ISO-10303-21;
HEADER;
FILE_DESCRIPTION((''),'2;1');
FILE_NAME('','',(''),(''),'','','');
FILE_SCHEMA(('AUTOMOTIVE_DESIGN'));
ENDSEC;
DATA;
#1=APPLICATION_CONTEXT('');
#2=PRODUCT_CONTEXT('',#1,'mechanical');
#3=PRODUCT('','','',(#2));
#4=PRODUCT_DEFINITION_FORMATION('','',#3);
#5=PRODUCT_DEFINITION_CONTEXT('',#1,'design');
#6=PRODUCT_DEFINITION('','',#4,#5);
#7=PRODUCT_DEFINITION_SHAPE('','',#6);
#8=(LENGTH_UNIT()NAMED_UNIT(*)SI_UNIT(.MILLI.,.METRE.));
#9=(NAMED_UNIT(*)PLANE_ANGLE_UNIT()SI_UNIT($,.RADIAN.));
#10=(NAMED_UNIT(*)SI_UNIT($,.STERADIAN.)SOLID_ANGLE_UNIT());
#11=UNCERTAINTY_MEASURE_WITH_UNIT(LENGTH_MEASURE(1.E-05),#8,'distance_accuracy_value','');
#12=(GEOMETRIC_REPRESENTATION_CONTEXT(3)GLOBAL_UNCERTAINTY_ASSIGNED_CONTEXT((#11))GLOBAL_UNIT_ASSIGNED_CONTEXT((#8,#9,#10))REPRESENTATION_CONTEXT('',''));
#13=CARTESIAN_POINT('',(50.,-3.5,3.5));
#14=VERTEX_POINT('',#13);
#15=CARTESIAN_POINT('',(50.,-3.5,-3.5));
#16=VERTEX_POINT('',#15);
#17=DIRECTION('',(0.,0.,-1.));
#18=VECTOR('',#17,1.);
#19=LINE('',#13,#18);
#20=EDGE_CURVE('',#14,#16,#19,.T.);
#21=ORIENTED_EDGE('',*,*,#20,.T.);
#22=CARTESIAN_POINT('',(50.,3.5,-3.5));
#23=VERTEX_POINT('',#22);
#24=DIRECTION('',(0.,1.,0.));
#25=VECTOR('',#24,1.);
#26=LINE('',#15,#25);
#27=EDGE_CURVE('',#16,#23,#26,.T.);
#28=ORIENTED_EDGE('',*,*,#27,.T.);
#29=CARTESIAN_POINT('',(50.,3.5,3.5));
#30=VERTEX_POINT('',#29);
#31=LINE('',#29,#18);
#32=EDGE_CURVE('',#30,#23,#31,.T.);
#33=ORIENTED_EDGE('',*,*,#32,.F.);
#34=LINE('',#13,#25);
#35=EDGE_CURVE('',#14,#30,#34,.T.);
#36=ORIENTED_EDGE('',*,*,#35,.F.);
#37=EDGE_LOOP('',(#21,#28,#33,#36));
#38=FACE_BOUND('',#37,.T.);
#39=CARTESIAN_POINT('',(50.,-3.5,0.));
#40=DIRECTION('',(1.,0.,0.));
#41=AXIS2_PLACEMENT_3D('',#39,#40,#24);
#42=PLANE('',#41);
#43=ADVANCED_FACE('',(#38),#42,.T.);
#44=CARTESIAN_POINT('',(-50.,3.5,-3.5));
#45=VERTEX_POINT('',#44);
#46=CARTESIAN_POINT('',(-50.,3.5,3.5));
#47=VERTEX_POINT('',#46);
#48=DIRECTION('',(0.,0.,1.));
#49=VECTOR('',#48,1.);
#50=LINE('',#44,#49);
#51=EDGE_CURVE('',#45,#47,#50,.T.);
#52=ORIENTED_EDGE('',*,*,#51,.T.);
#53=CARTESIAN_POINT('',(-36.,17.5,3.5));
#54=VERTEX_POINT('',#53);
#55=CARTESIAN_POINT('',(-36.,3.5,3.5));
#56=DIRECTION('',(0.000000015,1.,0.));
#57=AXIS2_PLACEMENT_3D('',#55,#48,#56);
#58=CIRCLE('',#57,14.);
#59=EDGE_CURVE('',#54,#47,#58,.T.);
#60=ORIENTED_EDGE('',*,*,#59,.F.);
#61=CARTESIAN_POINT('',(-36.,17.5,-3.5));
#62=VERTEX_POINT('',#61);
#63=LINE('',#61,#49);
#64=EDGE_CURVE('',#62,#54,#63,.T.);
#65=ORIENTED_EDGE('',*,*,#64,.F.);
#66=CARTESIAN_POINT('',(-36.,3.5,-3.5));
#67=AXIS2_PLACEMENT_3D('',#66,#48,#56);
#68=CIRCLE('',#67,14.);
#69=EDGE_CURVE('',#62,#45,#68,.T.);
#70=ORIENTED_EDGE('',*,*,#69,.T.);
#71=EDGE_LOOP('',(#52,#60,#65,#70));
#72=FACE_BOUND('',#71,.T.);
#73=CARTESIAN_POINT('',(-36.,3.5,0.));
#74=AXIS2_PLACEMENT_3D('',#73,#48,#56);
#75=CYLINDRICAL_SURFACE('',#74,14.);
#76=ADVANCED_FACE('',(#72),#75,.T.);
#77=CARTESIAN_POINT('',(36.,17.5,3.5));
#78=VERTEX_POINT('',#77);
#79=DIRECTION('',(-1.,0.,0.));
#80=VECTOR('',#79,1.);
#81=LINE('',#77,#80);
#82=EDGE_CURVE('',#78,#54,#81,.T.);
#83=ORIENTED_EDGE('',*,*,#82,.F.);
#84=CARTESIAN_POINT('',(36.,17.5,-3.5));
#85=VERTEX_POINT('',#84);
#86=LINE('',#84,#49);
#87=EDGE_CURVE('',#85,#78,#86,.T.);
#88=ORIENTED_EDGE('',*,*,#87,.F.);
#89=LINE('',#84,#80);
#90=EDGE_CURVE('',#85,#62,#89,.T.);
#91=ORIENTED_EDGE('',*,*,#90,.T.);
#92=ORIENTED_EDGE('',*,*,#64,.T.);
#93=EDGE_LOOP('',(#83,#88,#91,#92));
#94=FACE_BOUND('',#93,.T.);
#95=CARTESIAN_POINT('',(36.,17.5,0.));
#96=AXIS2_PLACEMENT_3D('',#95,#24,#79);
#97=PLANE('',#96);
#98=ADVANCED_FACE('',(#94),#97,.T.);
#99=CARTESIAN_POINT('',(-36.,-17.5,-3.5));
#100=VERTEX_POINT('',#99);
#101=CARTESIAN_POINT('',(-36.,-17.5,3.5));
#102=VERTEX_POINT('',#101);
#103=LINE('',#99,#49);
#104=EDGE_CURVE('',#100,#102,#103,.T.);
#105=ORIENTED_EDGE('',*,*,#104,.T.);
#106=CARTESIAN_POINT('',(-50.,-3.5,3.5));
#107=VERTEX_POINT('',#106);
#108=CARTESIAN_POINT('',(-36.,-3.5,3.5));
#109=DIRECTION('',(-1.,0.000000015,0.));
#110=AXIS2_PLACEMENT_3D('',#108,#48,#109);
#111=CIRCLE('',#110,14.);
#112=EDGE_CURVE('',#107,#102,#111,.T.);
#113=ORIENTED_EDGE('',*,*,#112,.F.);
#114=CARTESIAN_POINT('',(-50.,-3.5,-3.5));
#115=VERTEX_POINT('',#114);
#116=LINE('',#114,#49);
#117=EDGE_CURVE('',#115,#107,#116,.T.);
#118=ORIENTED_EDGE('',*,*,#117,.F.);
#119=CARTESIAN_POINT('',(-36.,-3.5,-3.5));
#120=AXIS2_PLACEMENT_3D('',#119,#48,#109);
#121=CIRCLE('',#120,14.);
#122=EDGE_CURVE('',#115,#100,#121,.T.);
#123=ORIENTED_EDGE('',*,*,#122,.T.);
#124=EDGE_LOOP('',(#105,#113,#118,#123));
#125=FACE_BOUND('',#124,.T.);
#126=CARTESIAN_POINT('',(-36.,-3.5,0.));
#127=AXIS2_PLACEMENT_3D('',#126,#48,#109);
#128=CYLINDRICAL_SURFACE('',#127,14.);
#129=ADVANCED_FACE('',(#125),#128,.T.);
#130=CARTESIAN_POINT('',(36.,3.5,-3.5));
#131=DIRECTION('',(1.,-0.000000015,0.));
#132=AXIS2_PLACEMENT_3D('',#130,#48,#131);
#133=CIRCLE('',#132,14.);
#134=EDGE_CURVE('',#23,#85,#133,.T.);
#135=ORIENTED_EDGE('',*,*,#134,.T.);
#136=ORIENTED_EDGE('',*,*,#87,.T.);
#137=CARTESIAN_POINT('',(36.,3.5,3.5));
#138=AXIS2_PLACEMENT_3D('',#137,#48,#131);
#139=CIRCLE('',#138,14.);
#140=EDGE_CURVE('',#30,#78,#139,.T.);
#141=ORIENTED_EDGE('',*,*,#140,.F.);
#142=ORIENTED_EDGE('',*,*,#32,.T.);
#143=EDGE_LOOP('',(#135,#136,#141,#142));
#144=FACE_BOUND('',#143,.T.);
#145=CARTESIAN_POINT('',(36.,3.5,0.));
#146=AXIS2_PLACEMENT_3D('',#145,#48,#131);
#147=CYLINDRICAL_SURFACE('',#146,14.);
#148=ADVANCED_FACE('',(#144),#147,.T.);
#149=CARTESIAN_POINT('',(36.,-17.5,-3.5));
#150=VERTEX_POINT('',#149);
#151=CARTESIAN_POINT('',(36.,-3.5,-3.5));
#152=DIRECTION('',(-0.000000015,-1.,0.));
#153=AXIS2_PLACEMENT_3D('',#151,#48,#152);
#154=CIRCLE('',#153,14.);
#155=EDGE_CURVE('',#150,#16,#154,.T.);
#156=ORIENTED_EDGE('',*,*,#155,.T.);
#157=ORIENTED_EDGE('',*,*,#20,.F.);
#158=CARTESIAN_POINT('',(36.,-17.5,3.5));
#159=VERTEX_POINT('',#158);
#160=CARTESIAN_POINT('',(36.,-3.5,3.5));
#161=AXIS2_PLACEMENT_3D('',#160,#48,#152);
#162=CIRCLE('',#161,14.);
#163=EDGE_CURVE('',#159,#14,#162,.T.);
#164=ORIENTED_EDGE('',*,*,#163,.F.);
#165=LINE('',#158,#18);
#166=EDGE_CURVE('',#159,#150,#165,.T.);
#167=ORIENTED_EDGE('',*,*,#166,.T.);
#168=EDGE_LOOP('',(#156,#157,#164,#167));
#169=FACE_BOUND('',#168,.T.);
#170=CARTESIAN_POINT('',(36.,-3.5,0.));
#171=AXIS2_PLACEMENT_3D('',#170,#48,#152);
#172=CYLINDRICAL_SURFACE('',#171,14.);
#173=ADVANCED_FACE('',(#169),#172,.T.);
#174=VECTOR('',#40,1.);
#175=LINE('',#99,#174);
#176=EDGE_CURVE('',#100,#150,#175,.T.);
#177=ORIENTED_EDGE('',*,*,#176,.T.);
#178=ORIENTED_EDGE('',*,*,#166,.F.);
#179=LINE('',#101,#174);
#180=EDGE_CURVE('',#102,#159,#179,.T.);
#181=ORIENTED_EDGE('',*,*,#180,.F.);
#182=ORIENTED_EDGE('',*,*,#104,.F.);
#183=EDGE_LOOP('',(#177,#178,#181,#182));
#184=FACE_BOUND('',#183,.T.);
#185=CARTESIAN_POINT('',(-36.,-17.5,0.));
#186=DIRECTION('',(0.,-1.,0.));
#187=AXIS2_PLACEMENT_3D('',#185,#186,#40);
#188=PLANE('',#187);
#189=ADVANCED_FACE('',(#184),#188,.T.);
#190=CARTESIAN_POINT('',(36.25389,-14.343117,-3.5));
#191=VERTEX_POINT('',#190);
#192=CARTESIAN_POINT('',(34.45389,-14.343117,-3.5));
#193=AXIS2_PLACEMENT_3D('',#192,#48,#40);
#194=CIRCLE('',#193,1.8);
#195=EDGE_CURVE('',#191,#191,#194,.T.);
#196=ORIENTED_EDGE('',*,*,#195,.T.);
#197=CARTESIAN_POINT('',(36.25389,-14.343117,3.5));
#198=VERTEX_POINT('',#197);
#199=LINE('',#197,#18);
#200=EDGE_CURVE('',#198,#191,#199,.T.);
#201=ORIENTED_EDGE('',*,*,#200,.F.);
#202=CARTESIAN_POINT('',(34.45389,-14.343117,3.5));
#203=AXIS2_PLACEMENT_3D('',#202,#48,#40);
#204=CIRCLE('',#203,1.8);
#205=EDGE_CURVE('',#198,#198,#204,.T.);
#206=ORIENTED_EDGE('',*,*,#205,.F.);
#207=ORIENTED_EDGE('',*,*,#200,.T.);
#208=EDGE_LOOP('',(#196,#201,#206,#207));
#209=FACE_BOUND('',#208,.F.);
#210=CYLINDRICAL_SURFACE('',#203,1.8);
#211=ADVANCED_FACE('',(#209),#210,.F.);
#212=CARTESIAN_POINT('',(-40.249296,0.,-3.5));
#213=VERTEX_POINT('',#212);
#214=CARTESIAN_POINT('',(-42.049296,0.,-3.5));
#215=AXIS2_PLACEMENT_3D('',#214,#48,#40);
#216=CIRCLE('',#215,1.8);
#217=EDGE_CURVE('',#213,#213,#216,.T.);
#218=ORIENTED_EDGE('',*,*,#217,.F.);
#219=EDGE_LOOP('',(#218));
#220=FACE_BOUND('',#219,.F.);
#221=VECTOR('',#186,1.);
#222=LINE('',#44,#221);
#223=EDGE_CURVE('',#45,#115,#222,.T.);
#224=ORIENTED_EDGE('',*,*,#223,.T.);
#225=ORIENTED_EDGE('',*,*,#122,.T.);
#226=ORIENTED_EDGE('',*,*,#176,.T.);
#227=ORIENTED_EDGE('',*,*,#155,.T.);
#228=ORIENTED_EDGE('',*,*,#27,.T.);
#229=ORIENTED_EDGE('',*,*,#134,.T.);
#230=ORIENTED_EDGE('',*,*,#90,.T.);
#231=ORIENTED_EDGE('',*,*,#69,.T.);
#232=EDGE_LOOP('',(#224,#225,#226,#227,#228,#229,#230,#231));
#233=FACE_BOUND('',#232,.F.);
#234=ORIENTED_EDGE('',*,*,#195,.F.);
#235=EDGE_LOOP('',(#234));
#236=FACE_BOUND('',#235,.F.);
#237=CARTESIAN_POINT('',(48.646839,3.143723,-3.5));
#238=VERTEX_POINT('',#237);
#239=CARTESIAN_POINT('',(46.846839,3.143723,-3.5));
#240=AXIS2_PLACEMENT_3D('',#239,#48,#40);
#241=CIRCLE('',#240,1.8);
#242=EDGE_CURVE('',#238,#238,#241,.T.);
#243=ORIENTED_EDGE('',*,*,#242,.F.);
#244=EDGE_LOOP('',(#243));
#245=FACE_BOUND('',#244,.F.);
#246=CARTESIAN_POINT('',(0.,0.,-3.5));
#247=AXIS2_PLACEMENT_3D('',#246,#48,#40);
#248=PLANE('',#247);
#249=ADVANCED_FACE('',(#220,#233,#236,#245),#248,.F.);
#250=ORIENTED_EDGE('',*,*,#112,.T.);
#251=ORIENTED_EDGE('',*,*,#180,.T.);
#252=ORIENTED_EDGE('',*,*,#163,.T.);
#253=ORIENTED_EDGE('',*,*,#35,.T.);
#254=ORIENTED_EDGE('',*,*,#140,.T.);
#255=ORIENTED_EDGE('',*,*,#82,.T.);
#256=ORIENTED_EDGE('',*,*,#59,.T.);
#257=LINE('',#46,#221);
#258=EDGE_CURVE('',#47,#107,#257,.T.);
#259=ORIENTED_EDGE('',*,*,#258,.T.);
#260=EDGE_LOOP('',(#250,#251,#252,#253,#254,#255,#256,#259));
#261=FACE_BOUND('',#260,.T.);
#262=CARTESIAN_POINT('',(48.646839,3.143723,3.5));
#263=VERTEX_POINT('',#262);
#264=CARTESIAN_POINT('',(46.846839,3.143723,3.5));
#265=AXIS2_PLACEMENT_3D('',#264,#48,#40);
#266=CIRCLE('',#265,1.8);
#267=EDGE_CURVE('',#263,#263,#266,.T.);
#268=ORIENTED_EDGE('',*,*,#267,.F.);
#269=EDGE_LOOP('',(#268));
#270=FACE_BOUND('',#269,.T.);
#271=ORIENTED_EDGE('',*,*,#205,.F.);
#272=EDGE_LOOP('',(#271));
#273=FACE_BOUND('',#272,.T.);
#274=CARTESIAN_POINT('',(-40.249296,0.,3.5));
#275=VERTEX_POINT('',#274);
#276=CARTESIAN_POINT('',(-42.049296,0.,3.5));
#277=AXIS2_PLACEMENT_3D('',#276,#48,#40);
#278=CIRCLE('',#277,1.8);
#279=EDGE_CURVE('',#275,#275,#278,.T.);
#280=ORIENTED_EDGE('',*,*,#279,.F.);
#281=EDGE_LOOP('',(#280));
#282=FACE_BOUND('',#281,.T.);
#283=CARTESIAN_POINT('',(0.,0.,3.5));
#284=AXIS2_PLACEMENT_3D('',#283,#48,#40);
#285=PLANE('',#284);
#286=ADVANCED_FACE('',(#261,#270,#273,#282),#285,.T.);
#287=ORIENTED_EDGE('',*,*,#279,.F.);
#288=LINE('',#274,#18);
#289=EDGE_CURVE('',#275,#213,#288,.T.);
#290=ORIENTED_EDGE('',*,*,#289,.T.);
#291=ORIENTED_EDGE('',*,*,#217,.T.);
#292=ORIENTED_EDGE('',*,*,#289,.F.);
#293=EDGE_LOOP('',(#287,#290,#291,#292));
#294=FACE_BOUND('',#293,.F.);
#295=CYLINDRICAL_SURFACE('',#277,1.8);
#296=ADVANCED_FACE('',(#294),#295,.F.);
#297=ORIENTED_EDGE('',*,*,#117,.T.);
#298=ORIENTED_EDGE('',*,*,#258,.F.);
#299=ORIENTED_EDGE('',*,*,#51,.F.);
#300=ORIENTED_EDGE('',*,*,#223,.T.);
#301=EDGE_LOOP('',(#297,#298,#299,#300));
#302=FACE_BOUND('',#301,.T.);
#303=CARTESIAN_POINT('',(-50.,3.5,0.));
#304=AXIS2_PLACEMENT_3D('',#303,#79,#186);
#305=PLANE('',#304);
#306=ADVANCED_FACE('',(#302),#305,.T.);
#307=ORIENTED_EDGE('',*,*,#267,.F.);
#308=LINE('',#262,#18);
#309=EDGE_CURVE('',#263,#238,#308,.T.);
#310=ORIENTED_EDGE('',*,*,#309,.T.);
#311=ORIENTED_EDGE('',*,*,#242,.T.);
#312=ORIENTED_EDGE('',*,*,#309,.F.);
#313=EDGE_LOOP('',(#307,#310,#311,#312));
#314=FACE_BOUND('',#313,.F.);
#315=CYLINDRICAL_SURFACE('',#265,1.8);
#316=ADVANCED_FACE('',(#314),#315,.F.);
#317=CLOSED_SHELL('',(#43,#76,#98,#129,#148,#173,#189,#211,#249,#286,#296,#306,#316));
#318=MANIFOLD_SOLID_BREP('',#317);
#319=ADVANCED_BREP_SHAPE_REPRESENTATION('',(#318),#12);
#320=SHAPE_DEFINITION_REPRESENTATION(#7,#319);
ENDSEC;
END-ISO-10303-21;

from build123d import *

# Parameters (mm, degrees)
F1_DEPTH = 3.5
F2_R     = 1.8
F3_DEPTH = 11
F4_R     = 1.8
F5_DEPTH = 7


with BuildPart() as f1:
    # F0 (on Top) → F1 (new body, symmetric)
    with BuildSketch(Plane.XY):
        with BuildLine():
            ThreePointArc((50, 3.5), (45.899495, 13.399495), (36, 17.5))
            Line((36, 17.5), (-36, 17.5))
            ThreePointArc((-36, 17.5), (-45.899495, 13.399495), (-50, 3.5))
            Line((-50, 3.5), (-50, -3.5))
            ThreePointArc((-50, -3.5), (-45.899495, -13.399495), (-36, -17.5))
            Line((-36, -17.5), (36, -17.5))
            ThreePointArc((36, -17.5), (45.899495, -13.399495), (50, -3.5))
            Line((50, -3.5), (50, 3.5))
        make_face()
    extrude(amount=F1_DEPTH, both=True)

    # F2 (on face) → F3 (cut)
    with BuildSketch(Plane.XY.offset(3.5)):
        with Locations((-42.049296, 0)):
            Circle(F2_R)
    extrude(amount=-F3_DEPTH, mode=Mode.SUBTRACT)

    # F4 (on face) → F5 (cut)
    with BuildSketch(Plane.XY.offset(3.5)):
        with Locations((46.846839, 3.143723)):
            Circle(F4_R)
        with Locations((34.45389, -14.343117)):
            Circle(F4_R)
    extrude(amount=-F5_DEPTH, mode=Mode.SUBTRACT)


solid = f1.part
